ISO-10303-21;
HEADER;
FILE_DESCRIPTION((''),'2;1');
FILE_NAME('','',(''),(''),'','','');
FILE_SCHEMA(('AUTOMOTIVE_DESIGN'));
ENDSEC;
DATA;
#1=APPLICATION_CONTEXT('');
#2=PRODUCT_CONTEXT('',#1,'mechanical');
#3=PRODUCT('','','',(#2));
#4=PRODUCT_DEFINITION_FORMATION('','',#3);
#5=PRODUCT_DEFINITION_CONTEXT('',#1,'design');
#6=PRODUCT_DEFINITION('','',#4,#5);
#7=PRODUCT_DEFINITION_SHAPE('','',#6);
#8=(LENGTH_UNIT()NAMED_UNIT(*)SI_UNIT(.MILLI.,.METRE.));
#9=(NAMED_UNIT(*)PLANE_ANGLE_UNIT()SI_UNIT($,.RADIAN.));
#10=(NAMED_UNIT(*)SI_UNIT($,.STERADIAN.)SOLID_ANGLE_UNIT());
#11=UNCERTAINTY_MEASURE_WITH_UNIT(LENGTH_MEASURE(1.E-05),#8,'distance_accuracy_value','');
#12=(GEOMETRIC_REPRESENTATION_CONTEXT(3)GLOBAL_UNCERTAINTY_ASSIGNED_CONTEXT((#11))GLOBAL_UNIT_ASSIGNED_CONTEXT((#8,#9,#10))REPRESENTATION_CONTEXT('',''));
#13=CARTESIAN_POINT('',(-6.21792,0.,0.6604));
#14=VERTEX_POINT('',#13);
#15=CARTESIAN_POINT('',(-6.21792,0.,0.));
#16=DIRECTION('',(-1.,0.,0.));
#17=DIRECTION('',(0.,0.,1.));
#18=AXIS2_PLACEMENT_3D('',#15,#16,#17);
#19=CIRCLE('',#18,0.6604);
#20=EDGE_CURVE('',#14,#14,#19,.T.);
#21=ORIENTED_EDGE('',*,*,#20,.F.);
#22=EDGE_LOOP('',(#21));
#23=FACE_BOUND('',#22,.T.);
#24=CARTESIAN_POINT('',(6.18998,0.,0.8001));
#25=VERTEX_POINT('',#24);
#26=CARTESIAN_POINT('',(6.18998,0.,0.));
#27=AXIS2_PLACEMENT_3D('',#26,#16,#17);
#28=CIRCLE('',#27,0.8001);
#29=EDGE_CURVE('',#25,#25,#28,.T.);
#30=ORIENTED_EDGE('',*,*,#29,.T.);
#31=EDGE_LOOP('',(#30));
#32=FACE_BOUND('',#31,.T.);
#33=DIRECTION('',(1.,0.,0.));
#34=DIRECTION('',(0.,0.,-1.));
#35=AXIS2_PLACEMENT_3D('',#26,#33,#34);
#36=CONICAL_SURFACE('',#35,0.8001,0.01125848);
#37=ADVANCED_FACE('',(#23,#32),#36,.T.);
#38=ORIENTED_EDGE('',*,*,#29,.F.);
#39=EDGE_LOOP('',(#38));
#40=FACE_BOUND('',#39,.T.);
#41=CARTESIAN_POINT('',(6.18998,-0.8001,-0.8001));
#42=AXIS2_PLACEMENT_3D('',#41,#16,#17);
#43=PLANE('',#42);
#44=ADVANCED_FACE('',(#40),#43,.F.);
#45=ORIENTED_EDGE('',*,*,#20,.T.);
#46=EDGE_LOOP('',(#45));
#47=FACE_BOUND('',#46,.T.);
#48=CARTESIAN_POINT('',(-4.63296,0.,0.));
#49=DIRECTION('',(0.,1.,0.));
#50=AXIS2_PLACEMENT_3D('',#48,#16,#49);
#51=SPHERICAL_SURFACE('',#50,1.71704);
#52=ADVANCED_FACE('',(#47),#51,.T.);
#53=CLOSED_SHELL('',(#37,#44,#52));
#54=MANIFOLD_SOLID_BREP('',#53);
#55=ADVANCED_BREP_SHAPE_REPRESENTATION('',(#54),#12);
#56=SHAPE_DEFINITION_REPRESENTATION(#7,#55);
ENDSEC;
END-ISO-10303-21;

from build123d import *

# Parameters (mm, degrees)
CUT_EXTRUDE1_DEPTH      = 7.450024808
CUT_EXTRUDE1_DEPTH_BACK = 7.450024808
SKETCH2_W               = 0.493952608
SKETCH2_H               = 1.6002


with BuildPart() as part:
    # Sketch1 → Revolve1 (revolve)
    with BuildSketch(Plane.XY):
        with BuildLine():
            Line((-6.21792, 0.6604), (6.18998, 0.8001))
            ThreePointArc((6.18998, 0.8001), (6.309602756, 0.407972551), (6.35, 0))
            Line((6.35, 0), (-6.35, 0))
            ThreePointArc((-6.35, 0), (-6.316656243, 0.336739249), (-6.21792, 0.6604))
        make_face()
    revolve(axis=Axis((-6.35, 0, 0), (1, 0, 0)))

    # Sketch2 → Cut-Extrude1 (cut, two sides: drawn at the far end of the back side and taken through both)
    with BuildSketch(Plane.XY.offset(-CUT_EXTRUDE1_DEPTH_BACK)):
        with Locations((6.436956304, 0)):
            Rectangle(SKETCH2_W, SKETCH2_H)
    extrude(amount=CUT_EXTRUDE1_DEPTH + CUT_EXTRUDE1_DEPTH_BACK, mode=Mode.SUBTRACT)


solid = part.part
